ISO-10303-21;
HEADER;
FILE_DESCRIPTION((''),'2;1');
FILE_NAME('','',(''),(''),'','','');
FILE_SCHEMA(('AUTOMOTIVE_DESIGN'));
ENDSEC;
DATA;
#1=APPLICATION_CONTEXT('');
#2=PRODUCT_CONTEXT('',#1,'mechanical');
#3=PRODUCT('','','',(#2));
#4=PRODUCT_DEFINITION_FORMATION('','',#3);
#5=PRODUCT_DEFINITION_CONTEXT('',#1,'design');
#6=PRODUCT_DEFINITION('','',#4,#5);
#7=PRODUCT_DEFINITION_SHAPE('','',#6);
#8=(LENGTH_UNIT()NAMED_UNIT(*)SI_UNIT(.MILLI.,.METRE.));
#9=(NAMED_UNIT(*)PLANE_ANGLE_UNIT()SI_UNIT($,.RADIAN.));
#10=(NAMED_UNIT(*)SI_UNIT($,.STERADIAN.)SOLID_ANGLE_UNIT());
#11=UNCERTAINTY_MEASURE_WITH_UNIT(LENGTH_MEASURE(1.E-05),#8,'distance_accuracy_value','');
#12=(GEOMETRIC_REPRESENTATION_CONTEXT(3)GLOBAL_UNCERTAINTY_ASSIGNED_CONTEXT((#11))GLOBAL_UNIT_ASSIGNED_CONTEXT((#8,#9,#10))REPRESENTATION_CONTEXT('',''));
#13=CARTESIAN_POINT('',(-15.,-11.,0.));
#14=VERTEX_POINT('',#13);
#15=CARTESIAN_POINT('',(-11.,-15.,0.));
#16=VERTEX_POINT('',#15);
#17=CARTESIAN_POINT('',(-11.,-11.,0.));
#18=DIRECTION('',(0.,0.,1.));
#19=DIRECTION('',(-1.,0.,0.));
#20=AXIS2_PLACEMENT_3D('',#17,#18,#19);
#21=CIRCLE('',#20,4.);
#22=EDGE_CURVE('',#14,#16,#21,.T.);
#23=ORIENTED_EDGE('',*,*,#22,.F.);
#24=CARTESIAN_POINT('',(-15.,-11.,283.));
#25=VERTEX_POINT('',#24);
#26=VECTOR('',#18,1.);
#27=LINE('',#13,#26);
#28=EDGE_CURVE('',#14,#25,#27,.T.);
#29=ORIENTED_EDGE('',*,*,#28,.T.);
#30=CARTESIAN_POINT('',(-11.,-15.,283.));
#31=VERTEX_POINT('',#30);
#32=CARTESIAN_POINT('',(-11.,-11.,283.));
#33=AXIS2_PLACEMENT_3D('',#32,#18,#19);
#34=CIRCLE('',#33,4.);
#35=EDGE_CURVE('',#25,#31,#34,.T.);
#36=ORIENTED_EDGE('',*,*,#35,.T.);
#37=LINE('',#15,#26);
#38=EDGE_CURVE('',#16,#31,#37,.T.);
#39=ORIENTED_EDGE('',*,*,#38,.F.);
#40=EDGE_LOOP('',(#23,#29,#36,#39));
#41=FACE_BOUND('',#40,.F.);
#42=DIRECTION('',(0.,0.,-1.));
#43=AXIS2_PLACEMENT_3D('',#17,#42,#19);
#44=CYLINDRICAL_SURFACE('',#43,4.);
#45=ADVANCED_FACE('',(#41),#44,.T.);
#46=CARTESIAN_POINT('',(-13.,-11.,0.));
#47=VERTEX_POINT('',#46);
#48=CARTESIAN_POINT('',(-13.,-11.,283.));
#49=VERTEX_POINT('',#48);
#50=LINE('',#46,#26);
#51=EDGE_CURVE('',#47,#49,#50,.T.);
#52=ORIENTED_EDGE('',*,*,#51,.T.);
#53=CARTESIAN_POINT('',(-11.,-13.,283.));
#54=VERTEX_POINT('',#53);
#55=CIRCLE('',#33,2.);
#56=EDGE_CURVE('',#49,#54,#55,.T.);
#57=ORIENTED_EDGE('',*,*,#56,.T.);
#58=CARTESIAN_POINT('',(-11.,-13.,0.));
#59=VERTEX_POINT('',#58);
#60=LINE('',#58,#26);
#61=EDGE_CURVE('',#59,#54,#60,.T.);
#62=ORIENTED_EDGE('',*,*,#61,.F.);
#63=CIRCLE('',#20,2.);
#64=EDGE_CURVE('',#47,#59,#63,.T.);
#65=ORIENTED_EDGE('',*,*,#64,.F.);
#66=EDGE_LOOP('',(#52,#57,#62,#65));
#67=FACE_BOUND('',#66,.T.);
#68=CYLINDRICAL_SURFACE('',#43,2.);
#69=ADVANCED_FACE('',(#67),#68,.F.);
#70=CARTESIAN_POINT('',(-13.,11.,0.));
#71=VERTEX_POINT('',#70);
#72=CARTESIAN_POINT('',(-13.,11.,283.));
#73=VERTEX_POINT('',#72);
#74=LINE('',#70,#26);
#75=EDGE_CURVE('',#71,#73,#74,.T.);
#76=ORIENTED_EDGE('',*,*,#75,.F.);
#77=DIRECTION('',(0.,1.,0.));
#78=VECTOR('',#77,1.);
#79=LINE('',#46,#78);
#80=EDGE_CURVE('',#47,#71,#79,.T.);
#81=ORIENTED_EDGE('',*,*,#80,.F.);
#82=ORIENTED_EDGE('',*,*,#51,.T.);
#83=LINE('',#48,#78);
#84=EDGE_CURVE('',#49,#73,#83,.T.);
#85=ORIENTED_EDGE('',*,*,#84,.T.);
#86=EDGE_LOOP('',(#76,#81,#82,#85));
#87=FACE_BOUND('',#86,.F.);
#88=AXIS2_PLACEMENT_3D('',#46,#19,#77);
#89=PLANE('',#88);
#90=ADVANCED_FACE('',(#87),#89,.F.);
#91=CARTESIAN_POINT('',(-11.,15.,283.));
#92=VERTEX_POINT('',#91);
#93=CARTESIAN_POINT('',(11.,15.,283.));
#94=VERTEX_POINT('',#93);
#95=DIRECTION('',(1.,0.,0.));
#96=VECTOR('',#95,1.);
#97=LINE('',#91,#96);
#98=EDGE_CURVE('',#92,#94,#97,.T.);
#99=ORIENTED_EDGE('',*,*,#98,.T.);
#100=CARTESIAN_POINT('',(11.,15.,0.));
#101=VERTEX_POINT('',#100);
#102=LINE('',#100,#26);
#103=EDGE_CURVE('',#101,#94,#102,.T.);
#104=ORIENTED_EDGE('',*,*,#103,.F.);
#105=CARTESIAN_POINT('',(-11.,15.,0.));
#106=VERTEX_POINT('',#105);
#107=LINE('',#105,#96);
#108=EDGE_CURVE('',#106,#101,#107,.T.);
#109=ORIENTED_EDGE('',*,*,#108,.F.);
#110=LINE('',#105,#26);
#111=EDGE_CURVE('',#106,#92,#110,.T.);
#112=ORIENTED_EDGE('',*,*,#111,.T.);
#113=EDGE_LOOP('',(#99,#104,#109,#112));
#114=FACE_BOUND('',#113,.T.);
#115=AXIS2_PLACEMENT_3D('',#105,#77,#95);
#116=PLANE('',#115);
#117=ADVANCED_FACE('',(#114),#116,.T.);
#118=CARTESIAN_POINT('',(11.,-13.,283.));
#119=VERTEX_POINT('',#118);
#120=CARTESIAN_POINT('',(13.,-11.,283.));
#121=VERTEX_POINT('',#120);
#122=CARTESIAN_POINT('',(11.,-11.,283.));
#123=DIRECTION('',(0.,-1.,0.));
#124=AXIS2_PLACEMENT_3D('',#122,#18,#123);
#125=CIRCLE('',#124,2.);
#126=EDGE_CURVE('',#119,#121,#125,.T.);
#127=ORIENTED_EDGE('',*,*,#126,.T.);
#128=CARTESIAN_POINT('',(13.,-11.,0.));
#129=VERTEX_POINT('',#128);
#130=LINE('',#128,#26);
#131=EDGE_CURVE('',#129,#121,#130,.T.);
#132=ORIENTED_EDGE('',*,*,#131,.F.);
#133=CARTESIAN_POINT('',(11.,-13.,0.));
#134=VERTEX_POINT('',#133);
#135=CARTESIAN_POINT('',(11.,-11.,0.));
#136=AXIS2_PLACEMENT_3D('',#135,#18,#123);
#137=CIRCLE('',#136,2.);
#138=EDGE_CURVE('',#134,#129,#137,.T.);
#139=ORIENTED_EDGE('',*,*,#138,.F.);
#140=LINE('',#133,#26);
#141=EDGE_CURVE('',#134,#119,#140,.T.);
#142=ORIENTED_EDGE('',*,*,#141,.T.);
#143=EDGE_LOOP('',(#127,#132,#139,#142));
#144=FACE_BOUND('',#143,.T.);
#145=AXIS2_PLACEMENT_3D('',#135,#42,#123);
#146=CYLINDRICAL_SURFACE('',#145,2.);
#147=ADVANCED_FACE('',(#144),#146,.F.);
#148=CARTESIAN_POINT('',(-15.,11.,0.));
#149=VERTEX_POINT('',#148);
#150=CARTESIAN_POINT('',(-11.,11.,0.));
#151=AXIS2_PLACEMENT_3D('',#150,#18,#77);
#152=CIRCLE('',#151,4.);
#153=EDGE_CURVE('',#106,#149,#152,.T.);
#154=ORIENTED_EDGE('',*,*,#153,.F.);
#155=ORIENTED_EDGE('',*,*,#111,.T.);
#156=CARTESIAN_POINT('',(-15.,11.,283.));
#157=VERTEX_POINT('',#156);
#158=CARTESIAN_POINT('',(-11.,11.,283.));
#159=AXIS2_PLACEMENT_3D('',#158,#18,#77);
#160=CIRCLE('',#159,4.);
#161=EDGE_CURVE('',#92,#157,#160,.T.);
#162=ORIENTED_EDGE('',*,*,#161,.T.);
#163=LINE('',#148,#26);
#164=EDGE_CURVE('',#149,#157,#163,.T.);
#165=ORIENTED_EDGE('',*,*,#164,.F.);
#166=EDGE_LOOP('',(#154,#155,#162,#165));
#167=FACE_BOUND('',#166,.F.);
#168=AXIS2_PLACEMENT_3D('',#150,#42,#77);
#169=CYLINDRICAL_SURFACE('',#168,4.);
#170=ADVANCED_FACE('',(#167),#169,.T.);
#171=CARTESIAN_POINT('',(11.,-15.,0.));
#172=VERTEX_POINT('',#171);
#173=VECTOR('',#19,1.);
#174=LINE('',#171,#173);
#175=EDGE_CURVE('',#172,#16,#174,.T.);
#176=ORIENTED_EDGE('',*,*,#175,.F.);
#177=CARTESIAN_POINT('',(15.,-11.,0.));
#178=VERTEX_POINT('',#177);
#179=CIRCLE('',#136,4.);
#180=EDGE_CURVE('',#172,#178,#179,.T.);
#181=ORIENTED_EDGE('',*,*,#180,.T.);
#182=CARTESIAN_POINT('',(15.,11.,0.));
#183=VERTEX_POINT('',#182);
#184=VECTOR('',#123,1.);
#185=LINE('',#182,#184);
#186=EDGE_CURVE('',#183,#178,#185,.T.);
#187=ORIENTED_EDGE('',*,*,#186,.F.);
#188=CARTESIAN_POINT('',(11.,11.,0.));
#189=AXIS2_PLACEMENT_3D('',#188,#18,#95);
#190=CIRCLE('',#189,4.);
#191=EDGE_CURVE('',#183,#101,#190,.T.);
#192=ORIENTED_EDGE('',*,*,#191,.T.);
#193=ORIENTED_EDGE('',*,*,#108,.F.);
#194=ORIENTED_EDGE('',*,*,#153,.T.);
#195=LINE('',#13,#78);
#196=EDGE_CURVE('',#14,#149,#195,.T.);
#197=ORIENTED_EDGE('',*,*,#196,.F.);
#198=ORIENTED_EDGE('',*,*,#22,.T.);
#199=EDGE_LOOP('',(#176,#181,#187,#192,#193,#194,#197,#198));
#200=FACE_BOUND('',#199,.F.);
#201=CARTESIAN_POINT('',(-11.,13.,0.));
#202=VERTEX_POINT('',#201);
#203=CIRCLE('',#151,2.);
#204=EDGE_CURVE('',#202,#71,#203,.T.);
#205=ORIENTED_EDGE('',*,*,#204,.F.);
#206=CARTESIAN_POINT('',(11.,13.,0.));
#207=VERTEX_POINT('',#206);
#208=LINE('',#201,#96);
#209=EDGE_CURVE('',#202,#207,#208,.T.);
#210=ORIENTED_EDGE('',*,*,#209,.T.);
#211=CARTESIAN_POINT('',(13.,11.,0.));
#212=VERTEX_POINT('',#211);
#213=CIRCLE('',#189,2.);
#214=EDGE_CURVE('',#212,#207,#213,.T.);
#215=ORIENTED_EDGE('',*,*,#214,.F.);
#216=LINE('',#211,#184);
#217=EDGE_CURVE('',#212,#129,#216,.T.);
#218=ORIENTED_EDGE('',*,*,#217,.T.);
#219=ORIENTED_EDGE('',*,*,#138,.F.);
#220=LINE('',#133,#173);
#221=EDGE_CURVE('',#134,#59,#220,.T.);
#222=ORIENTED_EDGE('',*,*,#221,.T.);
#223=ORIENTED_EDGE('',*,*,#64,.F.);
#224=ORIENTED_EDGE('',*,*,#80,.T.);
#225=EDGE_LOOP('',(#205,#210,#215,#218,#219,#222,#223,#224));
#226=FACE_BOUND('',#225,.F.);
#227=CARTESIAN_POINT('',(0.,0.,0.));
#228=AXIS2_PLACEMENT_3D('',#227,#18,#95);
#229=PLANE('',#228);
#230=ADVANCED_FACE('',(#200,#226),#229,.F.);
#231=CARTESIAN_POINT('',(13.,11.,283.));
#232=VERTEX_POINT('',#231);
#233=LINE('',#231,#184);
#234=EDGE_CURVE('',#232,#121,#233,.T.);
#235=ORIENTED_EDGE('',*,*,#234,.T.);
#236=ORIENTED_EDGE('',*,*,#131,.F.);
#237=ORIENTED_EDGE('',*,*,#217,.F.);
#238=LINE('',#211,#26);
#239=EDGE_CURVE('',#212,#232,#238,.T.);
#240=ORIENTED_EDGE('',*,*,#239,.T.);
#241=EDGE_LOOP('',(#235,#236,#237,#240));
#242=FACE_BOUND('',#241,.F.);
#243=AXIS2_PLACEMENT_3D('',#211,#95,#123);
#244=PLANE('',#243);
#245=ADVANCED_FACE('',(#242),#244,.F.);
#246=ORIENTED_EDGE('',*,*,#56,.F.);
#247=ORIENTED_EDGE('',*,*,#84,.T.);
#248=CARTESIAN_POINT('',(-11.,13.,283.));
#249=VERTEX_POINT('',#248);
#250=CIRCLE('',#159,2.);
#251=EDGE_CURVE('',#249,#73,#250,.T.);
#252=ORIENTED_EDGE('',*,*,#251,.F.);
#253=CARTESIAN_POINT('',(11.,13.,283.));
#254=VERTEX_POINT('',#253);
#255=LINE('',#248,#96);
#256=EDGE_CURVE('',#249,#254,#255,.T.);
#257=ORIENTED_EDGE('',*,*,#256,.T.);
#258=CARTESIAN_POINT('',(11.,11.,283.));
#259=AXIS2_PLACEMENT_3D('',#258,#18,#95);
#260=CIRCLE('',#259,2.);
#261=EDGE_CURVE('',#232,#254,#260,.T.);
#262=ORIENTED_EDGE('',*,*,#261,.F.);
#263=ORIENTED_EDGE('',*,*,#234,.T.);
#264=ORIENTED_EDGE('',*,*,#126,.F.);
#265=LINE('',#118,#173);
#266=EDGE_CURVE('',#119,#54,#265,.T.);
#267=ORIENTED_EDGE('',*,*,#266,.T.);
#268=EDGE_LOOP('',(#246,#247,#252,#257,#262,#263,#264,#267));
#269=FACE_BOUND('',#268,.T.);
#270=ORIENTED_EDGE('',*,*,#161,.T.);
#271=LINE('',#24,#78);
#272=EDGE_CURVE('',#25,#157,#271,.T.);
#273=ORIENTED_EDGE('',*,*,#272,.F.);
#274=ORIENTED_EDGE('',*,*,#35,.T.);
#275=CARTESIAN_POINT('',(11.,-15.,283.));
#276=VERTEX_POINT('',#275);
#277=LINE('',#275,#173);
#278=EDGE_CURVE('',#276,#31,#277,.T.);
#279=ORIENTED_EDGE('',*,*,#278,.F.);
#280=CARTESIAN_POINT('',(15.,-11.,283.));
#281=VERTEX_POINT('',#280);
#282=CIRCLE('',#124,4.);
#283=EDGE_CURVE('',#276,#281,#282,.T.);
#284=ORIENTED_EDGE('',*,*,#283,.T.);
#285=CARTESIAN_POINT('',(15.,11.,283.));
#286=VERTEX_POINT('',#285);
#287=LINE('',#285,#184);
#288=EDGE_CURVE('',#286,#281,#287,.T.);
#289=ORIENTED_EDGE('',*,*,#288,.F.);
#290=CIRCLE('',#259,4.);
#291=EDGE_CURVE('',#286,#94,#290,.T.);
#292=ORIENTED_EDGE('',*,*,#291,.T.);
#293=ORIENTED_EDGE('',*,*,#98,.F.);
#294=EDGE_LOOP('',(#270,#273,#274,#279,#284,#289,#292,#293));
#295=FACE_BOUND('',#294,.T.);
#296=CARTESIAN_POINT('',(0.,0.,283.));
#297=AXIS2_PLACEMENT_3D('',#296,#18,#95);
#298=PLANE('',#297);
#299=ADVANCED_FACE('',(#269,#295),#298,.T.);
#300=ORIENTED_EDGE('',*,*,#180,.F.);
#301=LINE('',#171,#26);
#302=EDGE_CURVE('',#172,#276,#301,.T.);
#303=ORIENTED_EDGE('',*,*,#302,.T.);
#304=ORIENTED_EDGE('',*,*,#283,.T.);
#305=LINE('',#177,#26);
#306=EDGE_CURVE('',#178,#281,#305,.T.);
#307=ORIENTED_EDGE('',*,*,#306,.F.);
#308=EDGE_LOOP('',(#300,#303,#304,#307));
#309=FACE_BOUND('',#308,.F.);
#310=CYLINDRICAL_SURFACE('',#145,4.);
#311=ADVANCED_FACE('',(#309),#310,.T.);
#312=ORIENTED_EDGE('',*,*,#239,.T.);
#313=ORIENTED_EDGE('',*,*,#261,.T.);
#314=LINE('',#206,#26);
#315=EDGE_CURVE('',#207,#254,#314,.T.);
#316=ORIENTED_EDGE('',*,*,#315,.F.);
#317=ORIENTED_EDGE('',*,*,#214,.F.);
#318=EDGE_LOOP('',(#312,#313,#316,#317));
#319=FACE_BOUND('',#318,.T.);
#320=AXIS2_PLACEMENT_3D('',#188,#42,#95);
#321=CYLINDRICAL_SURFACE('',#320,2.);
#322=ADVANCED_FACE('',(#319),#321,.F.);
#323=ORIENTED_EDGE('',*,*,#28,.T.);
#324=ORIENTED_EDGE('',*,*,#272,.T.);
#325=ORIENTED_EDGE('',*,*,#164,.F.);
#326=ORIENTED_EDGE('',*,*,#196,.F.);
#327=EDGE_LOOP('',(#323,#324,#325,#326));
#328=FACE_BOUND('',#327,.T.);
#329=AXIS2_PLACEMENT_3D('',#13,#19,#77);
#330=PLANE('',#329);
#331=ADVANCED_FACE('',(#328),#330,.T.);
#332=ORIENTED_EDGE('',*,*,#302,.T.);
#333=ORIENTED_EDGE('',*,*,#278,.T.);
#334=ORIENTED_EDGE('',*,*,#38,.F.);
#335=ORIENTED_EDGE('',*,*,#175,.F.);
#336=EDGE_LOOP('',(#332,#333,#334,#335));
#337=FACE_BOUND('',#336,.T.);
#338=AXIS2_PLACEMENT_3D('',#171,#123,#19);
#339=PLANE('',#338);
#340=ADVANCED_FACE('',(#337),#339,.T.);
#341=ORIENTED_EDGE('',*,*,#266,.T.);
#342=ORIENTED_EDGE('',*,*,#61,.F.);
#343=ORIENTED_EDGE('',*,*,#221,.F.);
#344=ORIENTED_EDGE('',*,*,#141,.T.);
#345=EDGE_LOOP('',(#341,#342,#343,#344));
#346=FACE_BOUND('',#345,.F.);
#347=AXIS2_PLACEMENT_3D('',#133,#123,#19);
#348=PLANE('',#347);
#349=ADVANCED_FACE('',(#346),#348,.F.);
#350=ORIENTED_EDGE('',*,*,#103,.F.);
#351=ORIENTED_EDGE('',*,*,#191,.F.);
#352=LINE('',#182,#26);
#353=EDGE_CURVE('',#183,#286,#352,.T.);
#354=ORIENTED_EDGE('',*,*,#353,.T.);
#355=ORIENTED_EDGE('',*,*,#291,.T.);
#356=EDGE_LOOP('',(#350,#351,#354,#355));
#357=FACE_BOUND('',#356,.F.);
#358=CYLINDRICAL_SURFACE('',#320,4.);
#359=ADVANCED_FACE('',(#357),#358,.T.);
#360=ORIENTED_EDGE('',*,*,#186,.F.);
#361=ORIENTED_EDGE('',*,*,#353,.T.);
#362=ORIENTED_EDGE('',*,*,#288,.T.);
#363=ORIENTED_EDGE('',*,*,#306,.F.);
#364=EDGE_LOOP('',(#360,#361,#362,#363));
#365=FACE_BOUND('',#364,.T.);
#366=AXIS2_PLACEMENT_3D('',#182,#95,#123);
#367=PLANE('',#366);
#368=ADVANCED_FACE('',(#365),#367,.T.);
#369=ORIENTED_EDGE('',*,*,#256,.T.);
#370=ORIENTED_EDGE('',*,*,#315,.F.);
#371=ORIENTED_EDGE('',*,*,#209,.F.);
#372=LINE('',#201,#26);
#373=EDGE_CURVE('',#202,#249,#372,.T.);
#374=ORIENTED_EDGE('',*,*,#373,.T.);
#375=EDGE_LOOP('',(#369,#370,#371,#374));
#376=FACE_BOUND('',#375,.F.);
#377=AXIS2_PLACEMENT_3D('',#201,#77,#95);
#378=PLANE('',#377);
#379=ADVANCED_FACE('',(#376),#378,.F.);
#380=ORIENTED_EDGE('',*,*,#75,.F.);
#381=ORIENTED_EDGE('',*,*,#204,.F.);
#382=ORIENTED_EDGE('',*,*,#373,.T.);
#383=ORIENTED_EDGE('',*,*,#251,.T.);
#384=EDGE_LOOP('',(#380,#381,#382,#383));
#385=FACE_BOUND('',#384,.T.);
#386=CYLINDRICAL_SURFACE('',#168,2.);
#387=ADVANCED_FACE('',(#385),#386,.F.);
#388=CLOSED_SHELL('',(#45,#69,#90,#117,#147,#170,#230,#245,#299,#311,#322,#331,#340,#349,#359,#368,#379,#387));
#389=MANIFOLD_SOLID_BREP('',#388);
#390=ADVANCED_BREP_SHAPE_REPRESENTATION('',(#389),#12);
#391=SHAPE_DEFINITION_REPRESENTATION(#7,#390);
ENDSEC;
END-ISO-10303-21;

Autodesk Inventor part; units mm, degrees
ref_plane "YZ Plane" through (0, 0, 0) normal (1, 0, 0) x (0, 1, 0)
ref_plane "Plan de départ" through (0, 0, 0) normal (0, 0, 1) x (1, 0, 0)
ref_plane "Plan de fin" through (0, 0, 283) normal (0, 0, 1) x (1, 0, 0)
sketch "Esquisse" plane through (0, 0, 0) normal (0, 0, 1) x (1, 0, 0)
  line L0 (-15, -11) -> (-15, 11)
  line L1 (-11, 15) -> (11, 15)
  line L2 (15, 11) -> (15, -11)
  line L3 (11, -15) -> (-11, -15)
  arc A0 (-15, -11) -> (-11, -15) centre (-11, -11) ccw
  arc A1 (15, 11) -> (11, 15) centre (11, 11) ccw
  arc A2 (-11, 15) -> (-15, 11) centre (-11, 11) ccw
  arc A3 (11, -15) -> (15, -11) centre (11, -11) ccw
  arc A4 (-11, 13) -> (-13, 11) centre (-11, 11) ccw
  line L4 (-11, 13) -> (11, 13)
  arc A5 (13, 11) -> (11, 13) centre (11, 11) ccw
  line L5 (13, 11) -> (13, -11)
  arc A6 (11, -13) -> (13, -11) centre (11, -11) ccw
  line L6 (11, -13) -> (-11, -13)
  arc A7 (-13, -11) -> (-11, -13) centre (-11, -11) ccw
  line L7 (-13, -11) -> (-13, 11)
  line L8 (0, 22.1598) -> (0, -22.1598) construction
  line L9 (-22.1598, 0) -> (22.1598, 0) construction
  dimension "d7" = 4
  dimension "d9" = 30
  dimension "d11" = 30
  dimension "d12" = 2
  dimension "d15" = 15
  dimension "d16" = 15
extrude "Corps" add sketch "Esquisse" along normal up to surface (283 mm away) from surface at 0
sketch "Sketch3" plane through (0, 0, 0) normal (0, 0, 1) x (1, 0, 0)
  line L0 (0, 0) -> (10, 0)
ref_plane "Work Plane3" through (0, 0, 0) normal (0, -1, 0) x (1, 0, 0)
sketch "Sketch4" plane through (0, 0, 0) normal (0, -1, 0) x (1, 0, 0)
  line L0 (-2, 0) -> (12, 0) projected
  line L1 (-2, 283) -> (12, 283) projected
  dimension "d18" = 283
equation "\"d7\" = G_IR"
equation "\"d9\" = G_W"
equation "\"d11\" = G_H"
equation "\"d12\" = G_T"
equation "\"d15\" = 0.5 * d9"
equation "\"d16\" = 0.5 * d11"
equation "\"d3\" = G_L"
equation "\"G_W\" = 30"
equation "\"G_H\" = 30"
equation "\"G_T\" = 2"
equation "\"G_IR\" = 4"
equation "\"G_L\" = d18"
equation "\"G_OFFSET_START\" = 0"
equation "\"G_OFFSET_END\" = 0"
equation "\"d14\" = G_OFFSET_END + B_L"
equation "\"B_L\" = 283"
properties part number "ISO 10799-2 - 30x30x2 - 283" material "Acier, doux"
